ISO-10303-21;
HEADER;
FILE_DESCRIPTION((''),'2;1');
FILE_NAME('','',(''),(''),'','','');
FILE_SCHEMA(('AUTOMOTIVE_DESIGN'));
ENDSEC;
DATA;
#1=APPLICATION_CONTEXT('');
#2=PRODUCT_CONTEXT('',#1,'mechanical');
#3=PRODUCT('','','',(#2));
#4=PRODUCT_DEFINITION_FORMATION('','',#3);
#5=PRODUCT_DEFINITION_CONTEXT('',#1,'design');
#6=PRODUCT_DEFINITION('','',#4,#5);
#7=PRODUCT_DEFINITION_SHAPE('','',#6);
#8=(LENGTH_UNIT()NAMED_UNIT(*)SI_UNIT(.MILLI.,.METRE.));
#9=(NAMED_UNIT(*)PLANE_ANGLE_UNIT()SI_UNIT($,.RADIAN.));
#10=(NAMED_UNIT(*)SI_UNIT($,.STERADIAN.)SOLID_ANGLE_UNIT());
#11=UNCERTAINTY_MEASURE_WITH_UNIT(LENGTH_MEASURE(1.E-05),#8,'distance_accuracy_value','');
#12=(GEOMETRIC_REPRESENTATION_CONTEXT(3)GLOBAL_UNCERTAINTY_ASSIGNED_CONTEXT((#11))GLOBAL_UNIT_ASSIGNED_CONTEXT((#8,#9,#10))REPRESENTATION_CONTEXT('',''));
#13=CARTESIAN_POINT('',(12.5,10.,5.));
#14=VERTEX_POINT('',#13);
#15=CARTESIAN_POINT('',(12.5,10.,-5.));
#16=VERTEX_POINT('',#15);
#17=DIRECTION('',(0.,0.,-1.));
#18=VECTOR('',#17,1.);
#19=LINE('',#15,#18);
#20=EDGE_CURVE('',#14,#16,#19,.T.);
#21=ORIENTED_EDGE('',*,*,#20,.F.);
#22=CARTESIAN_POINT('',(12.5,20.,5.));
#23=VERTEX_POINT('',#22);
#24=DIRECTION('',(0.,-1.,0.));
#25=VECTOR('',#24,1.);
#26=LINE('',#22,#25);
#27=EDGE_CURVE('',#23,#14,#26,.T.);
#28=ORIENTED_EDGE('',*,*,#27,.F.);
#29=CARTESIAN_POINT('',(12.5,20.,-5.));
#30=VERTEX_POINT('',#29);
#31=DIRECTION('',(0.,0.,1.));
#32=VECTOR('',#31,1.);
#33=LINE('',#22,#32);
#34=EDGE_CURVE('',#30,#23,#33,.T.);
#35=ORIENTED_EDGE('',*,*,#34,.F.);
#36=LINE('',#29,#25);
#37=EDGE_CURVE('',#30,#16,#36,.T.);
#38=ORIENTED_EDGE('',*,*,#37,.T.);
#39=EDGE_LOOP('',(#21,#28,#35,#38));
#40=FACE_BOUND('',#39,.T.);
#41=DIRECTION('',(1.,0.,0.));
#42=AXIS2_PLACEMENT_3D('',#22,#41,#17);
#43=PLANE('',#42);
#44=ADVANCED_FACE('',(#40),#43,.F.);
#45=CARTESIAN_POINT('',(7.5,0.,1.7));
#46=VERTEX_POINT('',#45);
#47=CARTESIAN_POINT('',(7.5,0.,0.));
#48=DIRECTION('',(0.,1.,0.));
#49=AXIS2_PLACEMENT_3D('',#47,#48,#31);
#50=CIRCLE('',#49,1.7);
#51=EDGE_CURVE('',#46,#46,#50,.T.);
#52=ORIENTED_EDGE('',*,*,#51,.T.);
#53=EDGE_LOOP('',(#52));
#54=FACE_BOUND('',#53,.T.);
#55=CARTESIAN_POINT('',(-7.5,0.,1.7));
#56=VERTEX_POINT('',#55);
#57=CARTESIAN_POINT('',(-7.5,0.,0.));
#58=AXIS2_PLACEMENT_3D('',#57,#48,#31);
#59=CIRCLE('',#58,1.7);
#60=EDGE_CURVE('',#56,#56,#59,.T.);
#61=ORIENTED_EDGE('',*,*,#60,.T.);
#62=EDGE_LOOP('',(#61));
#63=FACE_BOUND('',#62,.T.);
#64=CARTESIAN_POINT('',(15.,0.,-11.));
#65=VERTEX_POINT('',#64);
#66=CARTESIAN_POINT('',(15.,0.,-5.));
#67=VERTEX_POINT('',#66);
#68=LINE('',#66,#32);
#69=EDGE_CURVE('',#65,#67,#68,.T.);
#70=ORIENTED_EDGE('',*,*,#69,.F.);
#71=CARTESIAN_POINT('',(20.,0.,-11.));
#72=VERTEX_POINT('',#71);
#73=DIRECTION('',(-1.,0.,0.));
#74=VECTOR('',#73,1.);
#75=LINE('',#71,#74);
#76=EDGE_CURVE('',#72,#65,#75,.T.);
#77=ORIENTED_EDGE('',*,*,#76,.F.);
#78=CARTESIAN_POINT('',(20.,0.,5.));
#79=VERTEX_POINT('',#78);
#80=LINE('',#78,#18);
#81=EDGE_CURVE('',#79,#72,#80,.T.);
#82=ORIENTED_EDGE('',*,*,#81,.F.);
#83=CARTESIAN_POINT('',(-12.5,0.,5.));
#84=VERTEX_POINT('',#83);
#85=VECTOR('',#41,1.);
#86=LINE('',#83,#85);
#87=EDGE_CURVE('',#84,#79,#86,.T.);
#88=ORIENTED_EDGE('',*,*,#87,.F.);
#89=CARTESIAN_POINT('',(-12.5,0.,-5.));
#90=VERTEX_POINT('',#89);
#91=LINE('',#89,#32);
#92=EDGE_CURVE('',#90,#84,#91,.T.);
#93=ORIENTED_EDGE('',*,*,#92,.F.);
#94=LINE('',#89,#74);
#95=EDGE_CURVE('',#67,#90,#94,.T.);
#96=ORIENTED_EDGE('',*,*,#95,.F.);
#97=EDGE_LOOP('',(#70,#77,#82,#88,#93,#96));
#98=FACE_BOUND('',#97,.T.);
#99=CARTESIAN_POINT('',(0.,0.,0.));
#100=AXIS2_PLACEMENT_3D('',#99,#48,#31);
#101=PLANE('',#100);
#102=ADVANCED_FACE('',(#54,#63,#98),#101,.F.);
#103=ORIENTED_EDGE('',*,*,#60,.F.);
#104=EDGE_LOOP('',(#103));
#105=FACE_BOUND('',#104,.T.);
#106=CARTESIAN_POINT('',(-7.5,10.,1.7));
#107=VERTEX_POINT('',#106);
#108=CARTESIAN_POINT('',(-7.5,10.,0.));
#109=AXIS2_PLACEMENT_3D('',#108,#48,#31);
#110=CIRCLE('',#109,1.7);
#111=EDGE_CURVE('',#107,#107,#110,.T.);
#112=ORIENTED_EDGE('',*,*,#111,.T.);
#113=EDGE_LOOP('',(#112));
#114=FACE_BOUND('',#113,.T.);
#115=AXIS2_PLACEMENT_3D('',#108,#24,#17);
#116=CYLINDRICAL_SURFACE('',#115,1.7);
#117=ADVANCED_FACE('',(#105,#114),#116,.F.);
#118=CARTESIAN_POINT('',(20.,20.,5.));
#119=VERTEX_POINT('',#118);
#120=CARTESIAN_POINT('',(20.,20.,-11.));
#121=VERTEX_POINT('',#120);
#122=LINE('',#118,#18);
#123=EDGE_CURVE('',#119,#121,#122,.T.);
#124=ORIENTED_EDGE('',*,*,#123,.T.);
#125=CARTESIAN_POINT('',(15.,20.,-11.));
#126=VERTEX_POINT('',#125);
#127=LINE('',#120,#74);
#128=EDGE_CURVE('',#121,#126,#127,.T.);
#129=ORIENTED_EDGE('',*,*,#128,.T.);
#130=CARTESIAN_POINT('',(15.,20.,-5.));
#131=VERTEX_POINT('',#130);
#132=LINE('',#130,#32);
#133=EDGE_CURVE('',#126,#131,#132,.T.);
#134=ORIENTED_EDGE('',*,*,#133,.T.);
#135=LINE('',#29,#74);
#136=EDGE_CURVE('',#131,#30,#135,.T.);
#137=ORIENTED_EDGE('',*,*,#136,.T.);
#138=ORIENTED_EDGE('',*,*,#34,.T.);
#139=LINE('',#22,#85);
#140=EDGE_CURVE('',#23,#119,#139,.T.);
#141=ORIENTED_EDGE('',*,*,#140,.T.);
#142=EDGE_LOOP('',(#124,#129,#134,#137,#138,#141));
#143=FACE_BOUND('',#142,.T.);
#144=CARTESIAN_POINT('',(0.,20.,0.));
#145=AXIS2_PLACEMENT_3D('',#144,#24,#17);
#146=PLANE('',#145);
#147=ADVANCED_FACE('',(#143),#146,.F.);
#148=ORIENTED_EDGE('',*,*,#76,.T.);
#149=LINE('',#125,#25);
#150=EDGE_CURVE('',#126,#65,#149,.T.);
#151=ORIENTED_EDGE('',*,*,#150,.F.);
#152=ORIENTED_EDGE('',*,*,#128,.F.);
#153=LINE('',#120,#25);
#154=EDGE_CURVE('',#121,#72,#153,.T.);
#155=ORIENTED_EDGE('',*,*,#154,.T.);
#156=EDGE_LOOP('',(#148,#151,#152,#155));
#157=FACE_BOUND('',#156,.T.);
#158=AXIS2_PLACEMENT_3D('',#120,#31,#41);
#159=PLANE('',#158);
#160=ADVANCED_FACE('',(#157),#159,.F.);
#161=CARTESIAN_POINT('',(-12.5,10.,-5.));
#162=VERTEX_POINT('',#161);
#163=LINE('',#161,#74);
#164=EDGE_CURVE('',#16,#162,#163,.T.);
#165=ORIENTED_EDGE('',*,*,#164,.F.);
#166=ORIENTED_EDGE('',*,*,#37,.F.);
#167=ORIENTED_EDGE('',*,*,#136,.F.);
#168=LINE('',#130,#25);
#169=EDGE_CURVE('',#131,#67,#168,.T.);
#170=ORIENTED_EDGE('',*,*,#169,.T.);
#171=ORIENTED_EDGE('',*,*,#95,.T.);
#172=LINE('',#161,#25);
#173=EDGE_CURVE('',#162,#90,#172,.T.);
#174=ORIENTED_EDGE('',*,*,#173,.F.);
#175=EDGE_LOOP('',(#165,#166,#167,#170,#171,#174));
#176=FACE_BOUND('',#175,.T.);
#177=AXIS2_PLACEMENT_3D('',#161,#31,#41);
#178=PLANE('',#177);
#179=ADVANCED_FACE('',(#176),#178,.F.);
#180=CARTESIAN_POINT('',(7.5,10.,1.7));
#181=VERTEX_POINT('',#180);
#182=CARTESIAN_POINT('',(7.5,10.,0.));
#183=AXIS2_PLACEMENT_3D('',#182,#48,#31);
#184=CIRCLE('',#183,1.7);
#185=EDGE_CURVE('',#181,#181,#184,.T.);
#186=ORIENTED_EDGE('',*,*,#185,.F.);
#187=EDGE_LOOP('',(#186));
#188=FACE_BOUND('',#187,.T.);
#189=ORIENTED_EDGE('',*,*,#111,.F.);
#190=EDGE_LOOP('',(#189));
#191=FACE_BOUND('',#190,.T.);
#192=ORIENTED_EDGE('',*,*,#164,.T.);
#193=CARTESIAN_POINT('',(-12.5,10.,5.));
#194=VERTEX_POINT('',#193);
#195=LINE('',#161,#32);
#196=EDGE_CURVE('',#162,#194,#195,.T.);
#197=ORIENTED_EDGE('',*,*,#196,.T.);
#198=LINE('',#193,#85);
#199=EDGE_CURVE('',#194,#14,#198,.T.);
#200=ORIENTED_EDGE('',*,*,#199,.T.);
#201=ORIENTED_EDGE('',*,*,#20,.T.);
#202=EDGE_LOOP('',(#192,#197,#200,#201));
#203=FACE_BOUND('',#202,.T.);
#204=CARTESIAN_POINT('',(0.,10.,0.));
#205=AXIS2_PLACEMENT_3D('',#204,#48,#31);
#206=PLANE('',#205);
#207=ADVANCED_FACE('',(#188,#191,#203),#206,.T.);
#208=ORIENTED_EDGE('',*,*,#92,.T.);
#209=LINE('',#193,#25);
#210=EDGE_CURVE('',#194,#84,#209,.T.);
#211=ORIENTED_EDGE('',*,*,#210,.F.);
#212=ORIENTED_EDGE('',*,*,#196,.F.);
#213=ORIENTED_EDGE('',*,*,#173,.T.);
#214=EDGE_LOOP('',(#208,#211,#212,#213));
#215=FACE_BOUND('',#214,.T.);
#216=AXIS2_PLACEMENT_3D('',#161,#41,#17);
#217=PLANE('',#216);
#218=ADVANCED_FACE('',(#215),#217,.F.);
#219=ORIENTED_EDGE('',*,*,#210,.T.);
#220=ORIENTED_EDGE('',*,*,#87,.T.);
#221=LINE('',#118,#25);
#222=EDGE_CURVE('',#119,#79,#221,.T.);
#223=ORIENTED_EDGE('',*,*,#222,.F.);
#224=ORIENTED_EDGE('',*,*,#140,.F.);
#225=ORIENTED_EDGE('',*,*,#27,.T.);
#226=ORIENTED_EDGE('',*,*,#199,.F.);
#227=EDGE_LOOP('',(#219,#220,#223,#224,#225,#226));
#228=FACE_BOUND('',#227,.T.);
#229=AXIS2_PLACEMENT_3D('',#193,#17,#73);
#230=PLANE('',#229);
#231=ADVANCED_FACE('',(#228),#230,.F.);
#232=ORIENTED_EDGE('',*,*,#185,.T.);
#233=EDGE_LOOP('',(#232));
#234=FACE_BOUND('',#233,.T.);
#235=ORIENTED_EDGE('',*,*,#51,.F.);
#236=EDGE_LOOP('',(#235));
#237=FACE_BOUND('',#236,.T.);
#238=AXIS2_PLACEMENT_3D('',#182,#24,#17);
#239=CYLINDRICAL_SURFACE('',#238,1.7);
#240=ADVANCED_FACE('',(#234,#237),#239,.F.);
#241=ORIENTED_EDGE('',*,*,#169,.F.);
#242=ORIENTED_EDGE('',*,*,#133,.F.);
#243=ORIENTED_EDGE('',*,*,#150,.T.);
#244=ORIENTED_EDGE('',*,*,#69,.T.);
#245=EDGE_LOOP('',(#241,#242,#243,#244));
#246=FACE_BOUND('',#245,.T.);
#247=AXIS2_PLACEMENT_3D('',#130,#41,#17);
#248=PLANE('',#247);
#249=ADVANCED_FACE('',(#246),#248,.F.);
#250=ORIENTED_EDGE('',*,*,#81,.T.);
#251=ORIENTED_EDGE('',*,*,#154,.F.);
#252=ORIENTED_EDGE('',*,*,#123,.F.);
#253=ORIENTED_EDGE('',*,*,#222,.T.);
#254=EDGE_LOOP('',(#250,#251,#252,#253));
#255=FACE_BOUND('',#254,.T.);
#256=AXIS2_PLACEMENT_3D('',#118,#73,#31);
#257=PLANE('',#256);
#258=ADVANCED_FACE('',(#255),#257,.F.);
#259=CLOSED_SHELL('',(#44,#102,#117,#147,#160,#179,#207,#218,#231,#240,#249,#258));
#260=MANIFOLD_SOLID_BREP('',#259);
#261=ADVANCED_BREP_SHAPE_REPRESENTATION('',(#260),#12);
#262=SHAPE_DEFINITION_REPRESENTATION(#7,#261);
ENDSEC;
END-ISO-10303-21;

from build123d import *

# Parameters (mm, degrees)
SKETCH1_W           = 25
SKETCH1_H           = 10
SKETCH1_R           = 1.7
BOSS_EXTRUDE1_DEPTH = 10
BOSS_EXTRUDE2_DEPTH = 20


with BuildPart() as part:
    # Sketch1 → Boss-Extrude1 (new body)
    with BuildSketch(Plane(origin=(0, 0, 0), x_dir=(1, 0, 0), z_dir=(0, 1, 0))):
        Rectangle(SKETCH1_W, SKETCH1_H)
        with Locations(Location((-7.5, 0, 0), (0, 0, 270))):
            Circle(SKETCH1_R, mode=Mode.SUBTRACT)
        with Locations(Location((7.5, 0, 0), (0, 0, 270))):
            Circle(SKETCH1_R, mode=Mode.SUBTRACT)
    extrude(amount=BOSS_EXTRUDE1_DEPTH)

    # Sketch2 → Boss-Extrude2 (add)
    with BuildSketch(Plane(origin=(0, 0, 0), x_dir=(1, 0, 0), z_dir=(0, 1, 0))):
        Polygon((12.5, -5), (20, -5), (20, 11), (15, 11), (15, 5), (12.5, 5), align=None)
    extrude(amount=BOSS_EXTRUDE2_DEPTH)


solid = part.part
